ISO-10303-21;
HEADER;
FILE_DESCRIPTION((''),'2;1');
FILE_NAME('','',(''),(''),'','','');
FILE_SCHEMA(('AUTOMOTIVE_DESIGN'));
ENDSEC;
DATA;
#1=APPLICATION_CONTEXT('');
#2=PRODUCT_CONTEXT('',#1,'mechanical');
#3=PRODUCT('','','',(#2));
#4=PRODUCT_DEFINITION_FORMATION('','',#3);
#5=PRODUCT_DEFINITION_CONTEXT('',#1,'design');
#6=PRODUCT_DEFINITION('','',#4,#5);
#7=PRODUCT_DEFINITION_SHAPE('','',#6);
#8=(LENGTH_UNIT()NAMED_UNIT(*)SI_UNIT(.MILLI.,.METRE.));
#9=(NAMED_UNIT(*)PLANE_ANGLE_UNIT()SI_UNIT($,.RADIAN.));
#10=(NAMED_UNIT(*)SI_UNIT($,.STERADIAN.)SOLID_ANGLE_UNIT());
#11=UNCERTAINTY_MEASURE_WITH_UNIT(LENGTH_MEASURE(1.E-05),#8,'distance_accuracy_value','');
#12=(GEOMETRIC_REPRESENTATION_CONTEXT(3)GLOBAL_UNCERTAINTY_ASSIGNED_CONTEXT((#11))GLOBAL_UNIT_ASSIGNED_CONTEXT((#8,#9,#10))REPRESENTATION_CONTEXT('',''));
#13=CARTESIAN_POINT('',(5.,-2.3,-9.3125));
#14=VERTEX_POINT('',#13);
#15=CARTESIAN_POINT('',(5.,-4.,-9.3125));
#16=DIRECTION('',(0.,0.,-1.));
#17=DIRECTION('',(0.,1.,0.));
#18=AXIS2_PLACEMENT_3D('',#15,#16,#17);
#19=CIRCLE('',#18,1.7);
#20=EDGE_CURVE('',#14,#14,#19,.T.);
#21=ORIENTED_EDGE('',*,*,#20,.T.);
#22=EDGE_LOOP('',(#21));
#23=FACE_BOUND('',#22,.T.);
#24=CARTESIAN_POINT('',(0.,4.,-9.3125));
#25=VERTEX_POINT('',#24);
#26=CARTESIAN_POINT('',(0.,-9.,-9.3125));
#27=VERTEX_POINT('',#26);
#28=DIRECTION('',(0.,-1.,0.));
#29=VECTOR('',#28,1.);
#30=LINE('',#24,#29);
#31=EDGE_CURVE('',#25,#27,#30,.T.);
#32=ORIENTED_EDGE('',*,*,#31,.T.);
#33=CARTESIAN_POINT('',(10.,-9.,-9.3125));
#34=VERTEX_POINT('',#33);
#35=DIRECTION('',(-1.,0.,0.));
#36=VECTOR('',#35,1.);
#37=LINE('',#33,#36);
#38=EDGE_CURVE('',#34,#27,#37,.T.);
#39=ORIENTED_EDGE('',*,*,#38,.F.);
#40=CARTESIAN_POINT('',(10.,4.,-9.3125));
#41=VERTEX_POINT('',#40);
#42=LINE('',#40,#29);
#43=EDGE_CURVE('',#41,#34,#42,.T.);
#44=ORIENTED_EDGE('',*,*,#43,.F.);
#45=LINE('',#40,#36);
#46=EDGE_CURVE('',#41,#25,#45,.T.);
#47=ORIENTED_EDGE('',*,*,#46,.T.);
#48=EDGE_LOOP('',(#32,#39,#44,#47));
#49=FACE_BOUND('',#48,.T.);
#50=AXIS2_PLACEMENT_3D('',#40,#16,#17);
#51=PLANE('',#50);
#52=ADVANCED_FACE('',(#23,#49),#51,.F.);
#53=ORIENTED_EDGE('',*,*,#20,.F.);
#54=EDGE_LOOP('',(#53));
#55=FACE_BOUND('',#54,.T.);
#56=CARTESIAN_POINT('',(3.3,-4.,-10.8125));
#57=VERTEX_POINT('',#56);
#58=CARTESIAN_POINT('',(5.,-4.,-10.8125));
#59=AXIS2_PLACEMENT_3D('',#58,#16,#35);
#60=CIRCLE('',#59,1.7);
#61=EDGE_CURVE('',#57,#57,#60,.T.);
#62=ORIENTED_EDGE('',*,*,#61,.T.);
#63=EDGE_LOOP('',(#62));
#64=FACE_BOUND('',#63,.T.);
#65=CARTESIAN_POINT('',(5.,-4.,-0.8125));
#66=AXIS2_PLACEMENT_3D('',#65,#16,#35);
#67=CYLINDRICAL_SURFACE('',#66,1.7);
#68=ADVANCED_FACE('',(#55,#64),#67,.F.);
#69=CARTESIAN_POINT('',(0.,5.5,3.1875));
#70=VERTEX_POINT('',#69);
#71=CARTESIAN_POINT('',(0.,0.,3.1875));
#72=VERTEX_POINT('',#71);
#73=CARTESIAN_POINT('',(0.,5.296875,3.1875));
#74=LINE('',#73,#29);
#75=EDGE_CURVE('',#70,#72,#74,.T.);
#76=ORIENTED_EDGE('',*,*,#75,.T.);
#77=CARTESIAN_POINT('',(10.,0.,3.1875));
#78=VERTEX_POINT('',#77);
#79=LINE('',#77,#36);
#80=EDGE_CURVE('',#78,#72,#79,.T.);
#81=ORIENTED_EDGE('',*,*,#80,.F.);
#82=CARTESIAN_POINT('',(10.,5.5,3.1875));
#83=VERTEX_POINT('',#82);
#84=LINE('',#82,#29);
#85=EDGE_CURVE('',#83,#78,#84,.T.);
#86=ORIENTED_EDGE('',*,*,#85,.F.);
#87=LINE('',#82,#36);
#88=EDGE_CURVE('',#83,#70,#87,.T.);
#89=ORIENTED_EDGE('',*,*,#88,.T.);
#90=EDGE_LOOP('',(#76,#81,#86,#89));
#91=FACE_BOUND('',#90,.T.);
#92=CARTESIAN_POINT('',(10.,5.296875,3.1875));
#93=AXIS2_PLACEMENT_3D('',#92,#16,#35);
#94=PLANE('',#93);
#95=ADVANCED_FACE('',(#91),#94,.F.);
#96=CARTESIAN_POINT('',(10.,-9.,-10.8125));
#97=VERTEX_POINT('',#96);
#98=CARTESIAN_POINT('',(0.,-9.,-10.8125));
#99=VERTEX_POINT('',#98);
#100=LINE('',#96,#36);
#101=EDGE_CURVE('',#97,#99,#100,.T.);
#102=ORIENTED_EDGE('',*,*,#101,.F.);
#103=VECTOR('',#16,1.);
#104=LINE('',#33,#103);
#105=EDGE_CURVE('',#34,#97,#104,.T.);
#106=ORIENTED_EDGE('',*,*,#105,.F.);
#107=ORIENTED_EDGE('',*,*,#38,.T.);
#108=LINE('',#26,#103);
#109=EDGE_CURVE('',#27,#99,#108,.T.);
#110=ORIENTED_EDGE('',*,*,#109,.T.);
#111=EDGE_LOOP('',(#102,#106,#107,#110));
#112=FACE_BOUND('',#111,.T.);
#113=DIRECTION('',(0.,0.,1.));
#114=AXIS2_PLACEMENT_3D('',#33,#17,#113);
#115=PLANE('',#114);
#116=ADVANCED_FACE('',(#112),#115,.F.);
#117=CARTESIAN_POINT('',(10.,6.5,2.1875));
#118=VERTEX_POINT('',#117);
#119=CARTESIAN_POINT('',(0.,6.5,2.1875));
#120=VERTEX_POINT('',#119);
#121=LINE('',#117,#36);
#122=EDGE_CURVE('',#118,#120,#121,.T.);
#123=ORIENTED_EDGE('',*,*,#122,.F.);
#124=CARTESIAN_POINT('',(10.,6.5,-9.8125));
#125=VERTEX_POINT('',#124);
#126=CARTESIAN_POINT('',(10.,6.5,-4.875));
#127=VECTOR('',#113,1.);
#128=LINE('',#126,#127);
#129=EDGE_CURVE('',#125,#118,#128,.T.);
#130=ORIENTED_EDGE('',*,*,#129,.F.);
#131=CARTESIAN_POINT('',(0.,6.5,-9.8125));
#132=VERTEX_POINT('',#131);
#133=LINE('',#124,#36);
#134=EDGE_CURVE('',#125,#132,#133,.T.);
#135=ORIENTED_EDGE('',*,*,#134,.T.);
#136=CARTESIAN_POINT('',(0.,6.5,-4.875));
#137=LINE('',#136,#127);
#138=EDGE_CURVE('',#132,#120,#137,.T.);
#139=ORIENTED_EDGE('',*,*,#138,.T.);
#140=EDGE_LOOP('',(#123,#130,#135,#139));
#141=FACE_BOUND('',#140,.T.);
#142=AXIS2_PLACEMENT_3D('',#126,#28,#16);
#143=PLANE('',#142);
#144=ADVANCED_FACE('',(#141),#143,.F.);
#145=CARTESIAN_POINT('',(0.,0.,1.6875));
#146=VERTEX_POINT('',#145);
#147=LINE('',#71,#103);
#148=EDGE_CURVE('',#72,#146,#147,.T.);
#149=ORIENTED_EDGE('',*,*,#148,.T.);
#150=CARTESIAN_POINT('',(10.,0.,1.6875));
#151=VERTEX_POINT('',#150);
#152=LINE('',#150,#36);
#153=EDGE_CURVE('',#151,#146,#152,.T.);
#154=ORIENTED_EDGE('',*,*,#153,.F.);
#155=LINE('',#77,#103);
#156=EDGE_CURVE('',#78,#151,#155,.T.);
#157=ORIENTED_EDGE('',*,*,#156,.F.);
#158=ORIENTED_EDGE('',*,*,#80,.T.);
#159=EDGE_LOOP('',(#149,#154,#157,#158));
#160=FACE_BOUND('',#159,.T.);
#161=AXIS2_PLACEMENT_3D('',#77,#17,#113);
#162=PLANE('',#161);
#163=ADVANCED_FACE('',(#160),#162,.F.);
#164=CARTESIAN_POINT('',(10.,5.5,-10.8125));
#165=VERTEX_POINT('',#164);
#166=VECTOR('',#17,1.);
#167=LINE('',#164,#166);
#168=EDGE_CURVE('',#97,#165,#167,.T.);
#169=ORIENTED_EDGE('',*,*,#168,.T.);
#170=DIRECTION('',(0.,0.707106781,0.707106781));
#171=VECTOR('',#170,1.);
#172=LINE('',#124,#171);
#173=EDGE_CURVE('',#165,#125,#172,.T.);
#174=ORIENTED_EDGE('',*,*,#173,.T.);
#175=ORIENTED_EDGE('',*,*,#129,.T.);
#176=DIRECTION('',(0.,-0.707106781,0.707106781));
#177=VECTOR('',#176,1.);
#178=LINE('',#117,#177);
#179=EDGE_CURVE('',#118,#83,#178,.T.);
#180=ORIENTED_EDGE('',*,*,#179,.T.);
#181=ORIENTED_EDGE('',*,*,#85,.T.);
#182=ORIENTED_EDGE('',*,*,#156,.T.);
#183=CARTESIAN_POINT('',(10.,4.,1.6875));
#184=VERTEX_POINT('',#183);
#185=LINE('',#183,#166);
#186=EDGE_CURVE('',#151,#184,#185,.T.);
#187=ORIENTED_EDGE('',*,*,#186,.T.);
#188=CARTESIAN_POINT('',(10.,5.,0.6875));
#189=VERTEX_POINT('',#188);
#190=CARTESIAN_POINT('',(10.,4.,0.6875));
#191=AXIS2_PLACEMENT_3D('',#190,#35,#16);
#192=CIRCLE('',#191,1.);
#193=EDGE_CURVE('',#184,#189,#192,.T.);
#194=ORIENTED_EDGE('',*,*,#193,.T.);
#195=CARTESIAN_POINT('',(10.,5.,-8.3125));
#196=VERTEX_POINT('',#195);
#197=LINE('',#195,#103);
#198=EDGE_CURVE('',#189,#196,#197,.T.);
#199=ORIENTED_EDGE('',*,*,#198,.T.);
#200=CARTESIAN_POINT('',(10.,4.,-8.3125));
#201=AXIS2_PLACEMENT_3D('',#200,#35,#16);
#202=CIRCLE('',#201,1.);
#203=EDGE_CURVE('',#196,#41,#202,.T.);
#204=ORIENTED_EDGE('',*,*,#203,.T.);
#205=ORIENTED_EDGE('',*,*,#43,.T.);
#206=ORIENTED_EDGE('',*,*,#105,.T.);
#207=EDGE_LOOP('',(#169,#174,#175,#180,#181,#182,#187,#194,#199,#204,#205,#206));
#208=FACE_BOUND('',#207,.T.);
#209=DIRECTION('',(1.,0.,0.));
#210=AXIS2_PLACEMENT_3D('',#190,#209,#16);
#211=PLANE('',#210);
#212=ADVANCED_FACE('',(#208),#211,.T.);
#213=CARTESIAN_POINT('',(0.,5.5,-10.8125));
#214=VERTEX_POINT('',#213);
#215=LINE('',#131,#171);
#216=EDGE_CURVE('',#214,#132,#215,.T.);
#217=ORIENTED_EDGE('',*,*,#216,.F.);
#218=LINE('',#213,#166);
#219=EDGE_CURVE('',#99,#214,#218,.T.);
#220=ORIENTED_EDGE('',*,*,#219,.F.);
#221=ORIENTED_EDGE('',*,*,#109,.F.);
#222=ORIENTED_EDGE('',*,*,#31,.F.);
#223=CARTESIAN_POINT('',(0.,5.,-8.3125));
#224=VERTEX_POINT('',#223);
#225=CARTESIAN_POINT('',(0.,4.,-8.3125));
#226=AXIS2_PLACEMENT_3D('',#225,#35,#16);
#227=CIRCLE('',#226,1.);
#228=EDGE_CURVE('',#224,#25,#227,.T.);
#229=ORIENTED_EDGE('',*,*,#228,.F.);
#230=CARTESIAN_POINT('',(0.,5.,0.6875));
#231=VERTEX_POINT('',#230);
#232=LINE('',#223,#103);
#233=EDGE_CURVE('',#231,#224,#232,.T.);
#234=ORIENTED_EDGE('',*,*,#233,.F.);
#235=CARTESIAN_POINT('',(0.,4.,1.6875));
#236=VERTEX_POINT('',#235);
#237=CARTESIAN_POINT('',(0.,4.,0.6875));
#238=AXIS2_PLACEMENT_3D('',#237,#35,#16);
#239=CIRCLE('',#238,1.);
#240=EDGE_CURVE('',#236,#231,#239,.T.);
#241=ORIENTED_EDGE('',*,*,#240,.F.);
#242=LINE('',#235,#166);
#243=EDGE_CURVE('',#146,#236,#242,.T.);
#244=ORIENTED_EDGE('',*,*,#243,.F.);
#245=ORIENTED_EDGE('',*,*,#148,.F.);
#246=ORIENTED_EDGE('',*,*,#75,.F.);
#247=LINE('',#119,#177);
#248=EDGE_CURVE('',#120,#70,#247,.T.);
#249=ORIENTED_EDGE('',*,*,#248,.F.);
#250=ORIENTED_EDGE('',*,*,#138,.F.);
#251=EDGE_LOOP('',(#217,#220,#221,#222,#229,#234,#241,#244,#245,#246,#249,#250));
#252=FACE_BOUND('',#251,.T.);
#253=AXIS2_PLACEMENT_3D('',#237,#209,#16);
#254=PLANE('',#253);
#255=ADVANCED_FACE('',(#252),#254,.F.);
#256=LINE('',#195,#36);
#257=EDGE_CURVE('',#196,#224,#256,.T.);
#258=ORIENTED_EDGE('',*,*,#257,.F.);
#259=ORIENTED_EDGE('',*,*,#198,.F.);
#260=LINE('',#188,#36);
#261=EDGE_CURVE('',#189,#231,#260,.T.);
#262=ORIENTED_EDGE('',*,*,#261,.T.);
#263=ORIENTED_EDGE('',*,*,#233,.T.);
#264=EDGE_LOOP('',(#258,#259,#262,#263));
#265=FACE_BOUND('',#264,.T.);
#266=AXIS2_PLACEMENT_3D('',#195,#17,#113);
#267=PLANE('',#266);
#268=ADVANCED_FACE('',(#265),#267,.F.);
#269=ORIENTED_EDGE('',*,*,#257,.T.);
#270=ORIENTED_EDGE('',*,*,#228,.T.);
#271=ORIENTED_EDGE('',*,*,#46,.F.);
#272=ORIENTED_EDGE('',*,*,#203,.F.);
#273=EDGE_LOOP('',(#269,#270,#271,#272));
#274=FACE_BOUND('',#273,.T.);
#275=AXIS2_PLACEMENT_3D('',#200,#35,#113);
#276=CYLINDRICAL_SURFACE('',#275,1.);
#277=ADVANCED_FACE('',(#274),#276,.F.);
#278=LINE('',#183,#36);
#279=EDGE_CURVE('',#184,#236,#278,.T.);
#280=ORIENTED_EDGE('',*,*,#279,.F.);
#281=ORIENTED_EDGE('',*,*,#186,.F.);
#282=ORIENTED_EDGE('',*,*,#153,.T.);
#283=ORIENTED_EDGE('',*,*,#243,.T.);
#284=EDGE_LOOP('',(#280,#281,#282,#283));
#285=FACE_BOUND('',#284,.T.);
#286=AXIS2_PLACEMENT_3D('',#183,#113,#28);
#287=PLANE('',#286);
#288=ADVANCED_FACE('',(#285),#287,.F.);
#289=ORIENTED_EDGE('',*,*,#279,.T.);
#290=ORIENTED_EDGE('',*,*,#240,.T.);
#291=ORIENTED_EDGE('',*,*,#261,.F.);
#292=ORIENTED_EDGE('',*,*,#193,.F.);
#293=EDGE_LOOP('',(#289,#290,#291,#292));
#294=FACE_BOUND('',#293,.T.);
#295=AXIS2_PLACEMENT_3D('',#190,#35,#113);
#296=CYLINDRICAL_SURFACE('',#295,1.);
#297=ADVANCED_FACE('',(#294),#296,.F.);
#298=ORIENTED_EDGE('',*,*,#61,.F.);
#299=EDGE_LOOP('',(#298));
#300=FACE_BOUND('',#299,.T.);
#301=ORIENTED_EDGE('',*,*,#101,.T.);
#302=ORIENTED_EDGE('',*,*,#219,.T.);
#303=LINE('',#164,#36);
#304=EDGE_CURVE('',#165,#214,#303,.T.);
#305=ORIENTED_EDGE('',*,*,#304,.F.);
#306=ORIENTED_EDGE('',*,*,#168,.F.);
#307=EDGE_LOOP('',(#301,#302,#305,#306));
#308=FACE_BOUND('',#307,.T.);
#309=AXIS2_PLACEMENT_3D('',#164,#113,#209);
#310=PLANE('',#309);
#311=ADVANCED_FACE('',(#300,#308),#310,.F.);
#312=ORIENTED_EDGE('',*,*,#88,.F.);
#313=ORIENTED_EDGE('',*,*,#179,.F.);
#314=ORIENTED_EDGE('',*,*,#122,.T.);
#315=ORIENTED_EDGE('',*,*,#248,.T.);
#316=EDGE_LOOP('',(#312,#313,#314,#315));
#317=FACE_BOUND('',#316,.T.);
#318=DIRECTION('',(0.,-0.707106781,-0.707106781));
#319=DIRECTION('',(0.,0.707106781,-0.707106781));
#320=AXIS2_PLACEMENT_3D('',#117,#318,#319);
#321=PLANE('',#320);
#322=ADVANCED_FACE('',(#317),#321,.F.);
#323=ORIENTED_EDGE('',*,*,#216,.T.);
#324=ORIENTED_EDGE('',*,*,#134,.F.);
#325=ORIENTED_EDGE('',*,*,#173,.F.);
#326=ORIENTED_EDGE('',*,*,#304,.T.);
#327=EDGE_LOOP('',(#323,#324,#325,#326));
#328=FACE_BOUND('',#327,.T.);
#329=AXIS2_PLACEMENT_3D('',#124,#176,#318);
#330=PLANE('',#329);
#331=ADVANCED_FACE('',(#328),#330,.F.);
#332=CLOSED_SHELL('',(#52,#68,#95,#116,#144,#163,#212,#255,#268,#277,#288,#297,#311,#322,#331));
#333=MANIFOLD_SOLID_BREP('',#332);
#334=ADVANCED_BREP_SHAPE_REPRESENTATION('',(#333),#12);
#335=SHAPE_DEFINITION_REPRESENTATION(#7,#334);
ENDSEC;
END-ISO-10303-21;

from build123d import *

# Parameters (mm, degrees)
BOSS_EXTRUDE1_DEPTH = 10
SKETCH2_R           = 1.7
CUT_EXTRUDE1_DEPTH  = 10


with BuildPart() as part:
    # Sketch1 → Boss-Extrude1 (new body)
    with BuildSketch(Plane(origin=(0, 0, 0), x_dir=(0, 0, -1), z_dir=(1, 0, 0))):
        with BuildLine():
            Line((-2.1875, 6.5), (-3.1875, 5.5))
            Line((-3.1875, 5.5), (-3.1875, 5.296875))
            Line((-3.1875, 5.296875), (-3.1875, 0))
            Line((-3.1875, 0), (-1.6875, 0))
            Line((-1.6875, 0), (-1.6875, 4))
            ThreePointArc((-1.6875, 4), (-1.394606781, 4.707106781), (-0.6875, 5))
            Line((-0.6875, 5), (8.3125, 5))
            ThreePointArc((8.3125, 5), (9.019606781, 4.707106781), (9.3125, 4))
            Line((9.3125, 4), (9.3125, -9))
            Line((9.3125, -9), (10.8125, -9))
            Line((10.8125, -9), (10.8125, 5.5))
            Line((10.8125, 5.5), (9.8125, 6.5))
            Line((9.8125, 6.5), (4.875, 6.5))
            Line((4.875, 6.5), (-2.1875, 6.5))
        make_face()
    extrude(amount=BOSS_EXTRUDE1_DEPTH)

    # Sketch2 → Cut-Extrude1 (cut)
    with BuildSketch(Plane(origin=(0, 0, -10.8125), x_dir=(-1, 0, 0), z_dir=(0, 0, -1))):
        with Locations((-5, -4)):
            Circle(SKETCH2_R)
    extrude(amount=-CUT_EXTRUDE1_DEPTH, mode=Mode.SUBTRACT)


solid = part.part
